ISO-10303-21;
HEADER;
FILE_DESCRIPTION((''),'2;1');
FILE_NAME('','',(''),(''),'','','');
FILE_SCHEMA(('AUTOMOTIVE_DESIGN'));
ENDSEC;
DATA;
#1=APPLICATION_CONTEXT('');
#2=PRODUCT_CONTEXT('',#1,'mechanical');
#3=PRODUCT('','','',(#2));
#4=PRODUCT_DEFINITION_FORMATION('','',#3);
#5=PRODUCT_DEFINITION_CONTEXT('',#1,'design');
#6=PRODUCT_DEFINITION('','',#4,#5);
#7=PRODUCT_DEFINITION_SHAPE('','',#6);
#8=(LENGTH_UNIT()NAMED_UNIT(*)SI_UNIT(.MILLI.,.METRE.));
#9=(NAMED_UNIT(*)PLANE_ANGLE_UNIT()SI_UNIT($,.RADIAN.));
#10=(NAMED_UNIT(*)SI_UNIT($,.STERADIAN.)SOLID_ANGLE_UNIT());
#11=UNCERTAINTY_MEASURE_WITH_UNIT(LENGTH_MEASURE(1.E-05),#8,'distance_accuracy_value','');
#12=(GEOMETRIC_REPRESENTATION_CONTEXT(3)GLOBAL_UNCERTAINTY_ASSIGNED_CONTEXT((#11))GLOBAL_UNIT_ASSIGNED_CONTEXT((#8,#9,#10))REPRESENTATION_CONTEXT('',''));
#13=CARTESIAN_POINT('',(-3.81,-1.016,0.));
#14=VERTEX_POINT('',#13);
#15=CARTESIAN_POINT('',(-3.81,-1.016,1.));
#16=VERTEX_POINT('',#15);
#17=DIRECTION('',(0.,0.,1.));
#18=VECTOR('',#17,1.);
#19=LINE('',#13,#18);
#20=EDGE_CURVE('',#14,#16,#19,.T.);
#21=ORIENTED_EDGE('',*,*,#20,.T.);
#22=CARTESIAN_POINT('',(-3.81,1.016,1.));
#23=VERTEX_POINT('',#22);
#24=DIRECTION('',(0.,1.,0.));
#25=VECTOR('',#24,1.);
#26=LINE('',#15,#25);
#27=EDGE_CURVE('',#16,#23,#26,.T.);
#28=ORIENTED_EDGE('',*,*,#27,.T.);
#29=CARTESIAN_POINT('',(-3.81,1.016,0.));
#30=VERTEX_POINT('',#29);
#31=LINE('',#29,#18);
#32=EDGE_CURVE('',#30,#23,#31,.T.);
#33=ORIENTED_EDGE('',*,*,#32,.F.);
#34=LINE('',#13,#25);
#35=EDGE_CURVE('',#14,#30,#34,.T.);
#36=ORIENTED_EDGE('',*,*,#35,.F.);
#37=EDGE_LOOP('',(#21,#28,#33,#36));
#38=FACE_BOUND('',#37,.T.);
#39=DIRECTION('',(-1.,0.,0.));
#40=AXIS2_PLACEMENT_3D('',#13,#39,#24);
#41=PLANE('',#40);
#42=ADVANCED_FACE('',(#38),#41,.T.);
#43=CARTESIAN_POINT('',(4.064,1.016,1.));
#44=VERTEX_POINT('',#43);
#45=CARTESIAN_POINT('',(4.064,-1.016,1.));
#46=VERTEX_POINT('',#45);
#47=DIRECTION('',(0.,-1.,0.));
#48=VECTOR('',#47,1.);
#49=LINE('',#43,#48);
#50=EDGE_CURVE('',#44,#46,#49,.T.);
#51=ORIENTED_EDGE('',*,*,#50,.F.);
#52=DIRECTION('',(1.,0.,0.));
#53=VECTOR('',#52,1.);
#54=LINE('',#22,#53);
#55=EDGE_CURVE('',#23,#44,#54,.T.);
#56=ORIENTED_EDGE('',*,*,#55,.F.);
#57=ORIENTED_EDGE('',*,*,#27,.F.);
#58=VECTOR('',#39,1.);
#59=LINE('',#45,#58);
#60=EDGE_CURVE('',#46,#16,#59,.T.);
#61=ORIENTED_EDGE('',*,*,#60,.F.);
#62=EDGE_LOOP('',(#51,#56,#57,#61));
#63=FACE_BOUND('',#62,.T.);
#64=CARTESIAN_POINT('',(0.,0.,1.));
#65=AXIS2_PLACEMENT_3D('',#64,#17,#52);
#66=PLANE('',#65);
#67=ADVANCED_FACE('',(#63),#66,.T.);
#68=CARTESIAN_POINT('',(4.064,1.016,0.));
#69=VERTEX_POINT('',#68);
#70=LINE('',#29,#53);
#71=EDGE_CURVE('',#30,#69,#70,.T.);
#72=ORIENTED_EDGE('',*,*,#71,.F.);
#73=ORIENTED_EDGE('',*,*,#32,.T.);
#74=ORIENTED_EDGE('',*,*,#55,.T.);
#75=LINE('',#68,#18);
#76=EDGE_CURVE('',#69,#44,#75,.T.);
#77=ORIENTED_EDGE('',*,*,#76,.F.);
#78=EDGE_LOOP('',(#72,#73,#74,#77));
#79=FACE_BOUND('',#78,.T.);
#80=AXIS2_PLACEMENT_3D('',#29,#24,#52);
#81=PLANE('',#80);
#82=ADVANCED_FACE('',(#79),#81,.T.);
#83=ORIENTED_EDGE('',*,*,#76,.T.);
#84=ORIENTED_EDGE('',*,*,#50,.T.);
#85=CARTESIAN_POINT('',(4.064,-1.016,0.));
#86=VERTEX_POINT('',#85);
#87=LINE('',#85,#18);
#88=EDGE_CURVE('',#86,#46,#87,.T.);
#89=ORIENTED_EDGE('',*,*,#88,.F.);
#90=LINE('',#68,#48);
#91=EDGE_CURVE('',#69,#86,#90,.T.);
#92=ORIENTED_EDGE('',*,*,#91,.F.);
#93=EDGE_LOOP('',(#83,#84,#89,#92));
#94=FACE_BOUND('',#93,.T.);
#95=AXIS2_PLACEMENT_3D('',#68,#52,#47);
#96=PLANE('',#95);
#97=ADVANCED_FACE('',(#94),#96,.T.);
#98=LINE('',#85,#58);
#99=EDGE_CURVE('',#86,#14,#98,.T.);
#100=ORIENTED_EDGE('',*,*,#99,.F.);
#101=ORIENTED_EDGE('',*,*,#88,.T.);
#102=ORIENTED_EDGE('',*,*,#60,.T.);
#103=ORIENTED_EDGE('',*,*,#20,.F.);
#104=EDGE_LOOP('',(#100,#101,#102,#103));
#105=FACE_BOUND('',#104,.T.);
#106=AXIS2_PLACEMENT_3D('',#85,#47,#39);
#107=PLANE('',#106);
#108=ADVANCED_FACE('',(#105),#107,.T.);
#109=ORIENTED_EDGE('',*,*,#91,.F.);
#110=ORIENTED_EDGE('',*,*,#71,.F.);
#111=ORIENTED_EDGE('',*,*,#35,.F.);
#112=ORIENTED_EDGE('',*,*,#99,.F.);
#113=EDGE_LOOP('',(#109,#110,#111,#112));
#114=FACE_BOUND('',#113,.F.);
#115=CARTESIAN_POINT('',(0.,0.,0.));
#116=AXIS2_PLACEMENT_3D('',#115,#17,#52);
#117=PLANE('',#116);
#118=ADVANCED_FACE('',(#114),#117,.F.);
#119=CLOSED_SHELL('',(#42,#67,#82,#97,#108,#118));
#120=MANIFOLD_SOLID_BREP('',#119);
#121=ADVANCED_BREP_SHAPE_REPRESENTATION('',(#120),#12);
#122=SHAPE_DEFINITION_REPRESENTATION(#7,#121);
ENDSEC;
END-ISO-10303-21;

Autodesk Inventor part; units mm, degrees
ref_plane "YZ Plane" through (0, 0, 0) normal (1, 0, 0) x (0, 1, 0)
ref_plane "XZ Plane" through (0, 0, 0) normal (0, 1, 0) x (-1, 0, 0)
ref_plane "XY Plane" through (0, 0, 0) normal (0, 0, 1) x (1, 0, 0)
sketch "DO35-7, 1N4148DO35-7_25" plane through (0, 0, 0) normal (0, 0, 1) x (1, 0, 0)
  line L0 (-3.81, 1.016) -> (4.064, 1.016)
  line L1 (4.064, 1.016) -> (4.064, -1.016)
  line L2 (4.064, -1.016) -> (-3.81, -1.016)
  line L3 (-3.81, -1.016) -> (-3.81, 1.016)
extrude "Extrusion1" add sketch "DO35-7, 1N4148DO35-7_25" along normal blind 1
properties part number "1N4148DO35-7"
